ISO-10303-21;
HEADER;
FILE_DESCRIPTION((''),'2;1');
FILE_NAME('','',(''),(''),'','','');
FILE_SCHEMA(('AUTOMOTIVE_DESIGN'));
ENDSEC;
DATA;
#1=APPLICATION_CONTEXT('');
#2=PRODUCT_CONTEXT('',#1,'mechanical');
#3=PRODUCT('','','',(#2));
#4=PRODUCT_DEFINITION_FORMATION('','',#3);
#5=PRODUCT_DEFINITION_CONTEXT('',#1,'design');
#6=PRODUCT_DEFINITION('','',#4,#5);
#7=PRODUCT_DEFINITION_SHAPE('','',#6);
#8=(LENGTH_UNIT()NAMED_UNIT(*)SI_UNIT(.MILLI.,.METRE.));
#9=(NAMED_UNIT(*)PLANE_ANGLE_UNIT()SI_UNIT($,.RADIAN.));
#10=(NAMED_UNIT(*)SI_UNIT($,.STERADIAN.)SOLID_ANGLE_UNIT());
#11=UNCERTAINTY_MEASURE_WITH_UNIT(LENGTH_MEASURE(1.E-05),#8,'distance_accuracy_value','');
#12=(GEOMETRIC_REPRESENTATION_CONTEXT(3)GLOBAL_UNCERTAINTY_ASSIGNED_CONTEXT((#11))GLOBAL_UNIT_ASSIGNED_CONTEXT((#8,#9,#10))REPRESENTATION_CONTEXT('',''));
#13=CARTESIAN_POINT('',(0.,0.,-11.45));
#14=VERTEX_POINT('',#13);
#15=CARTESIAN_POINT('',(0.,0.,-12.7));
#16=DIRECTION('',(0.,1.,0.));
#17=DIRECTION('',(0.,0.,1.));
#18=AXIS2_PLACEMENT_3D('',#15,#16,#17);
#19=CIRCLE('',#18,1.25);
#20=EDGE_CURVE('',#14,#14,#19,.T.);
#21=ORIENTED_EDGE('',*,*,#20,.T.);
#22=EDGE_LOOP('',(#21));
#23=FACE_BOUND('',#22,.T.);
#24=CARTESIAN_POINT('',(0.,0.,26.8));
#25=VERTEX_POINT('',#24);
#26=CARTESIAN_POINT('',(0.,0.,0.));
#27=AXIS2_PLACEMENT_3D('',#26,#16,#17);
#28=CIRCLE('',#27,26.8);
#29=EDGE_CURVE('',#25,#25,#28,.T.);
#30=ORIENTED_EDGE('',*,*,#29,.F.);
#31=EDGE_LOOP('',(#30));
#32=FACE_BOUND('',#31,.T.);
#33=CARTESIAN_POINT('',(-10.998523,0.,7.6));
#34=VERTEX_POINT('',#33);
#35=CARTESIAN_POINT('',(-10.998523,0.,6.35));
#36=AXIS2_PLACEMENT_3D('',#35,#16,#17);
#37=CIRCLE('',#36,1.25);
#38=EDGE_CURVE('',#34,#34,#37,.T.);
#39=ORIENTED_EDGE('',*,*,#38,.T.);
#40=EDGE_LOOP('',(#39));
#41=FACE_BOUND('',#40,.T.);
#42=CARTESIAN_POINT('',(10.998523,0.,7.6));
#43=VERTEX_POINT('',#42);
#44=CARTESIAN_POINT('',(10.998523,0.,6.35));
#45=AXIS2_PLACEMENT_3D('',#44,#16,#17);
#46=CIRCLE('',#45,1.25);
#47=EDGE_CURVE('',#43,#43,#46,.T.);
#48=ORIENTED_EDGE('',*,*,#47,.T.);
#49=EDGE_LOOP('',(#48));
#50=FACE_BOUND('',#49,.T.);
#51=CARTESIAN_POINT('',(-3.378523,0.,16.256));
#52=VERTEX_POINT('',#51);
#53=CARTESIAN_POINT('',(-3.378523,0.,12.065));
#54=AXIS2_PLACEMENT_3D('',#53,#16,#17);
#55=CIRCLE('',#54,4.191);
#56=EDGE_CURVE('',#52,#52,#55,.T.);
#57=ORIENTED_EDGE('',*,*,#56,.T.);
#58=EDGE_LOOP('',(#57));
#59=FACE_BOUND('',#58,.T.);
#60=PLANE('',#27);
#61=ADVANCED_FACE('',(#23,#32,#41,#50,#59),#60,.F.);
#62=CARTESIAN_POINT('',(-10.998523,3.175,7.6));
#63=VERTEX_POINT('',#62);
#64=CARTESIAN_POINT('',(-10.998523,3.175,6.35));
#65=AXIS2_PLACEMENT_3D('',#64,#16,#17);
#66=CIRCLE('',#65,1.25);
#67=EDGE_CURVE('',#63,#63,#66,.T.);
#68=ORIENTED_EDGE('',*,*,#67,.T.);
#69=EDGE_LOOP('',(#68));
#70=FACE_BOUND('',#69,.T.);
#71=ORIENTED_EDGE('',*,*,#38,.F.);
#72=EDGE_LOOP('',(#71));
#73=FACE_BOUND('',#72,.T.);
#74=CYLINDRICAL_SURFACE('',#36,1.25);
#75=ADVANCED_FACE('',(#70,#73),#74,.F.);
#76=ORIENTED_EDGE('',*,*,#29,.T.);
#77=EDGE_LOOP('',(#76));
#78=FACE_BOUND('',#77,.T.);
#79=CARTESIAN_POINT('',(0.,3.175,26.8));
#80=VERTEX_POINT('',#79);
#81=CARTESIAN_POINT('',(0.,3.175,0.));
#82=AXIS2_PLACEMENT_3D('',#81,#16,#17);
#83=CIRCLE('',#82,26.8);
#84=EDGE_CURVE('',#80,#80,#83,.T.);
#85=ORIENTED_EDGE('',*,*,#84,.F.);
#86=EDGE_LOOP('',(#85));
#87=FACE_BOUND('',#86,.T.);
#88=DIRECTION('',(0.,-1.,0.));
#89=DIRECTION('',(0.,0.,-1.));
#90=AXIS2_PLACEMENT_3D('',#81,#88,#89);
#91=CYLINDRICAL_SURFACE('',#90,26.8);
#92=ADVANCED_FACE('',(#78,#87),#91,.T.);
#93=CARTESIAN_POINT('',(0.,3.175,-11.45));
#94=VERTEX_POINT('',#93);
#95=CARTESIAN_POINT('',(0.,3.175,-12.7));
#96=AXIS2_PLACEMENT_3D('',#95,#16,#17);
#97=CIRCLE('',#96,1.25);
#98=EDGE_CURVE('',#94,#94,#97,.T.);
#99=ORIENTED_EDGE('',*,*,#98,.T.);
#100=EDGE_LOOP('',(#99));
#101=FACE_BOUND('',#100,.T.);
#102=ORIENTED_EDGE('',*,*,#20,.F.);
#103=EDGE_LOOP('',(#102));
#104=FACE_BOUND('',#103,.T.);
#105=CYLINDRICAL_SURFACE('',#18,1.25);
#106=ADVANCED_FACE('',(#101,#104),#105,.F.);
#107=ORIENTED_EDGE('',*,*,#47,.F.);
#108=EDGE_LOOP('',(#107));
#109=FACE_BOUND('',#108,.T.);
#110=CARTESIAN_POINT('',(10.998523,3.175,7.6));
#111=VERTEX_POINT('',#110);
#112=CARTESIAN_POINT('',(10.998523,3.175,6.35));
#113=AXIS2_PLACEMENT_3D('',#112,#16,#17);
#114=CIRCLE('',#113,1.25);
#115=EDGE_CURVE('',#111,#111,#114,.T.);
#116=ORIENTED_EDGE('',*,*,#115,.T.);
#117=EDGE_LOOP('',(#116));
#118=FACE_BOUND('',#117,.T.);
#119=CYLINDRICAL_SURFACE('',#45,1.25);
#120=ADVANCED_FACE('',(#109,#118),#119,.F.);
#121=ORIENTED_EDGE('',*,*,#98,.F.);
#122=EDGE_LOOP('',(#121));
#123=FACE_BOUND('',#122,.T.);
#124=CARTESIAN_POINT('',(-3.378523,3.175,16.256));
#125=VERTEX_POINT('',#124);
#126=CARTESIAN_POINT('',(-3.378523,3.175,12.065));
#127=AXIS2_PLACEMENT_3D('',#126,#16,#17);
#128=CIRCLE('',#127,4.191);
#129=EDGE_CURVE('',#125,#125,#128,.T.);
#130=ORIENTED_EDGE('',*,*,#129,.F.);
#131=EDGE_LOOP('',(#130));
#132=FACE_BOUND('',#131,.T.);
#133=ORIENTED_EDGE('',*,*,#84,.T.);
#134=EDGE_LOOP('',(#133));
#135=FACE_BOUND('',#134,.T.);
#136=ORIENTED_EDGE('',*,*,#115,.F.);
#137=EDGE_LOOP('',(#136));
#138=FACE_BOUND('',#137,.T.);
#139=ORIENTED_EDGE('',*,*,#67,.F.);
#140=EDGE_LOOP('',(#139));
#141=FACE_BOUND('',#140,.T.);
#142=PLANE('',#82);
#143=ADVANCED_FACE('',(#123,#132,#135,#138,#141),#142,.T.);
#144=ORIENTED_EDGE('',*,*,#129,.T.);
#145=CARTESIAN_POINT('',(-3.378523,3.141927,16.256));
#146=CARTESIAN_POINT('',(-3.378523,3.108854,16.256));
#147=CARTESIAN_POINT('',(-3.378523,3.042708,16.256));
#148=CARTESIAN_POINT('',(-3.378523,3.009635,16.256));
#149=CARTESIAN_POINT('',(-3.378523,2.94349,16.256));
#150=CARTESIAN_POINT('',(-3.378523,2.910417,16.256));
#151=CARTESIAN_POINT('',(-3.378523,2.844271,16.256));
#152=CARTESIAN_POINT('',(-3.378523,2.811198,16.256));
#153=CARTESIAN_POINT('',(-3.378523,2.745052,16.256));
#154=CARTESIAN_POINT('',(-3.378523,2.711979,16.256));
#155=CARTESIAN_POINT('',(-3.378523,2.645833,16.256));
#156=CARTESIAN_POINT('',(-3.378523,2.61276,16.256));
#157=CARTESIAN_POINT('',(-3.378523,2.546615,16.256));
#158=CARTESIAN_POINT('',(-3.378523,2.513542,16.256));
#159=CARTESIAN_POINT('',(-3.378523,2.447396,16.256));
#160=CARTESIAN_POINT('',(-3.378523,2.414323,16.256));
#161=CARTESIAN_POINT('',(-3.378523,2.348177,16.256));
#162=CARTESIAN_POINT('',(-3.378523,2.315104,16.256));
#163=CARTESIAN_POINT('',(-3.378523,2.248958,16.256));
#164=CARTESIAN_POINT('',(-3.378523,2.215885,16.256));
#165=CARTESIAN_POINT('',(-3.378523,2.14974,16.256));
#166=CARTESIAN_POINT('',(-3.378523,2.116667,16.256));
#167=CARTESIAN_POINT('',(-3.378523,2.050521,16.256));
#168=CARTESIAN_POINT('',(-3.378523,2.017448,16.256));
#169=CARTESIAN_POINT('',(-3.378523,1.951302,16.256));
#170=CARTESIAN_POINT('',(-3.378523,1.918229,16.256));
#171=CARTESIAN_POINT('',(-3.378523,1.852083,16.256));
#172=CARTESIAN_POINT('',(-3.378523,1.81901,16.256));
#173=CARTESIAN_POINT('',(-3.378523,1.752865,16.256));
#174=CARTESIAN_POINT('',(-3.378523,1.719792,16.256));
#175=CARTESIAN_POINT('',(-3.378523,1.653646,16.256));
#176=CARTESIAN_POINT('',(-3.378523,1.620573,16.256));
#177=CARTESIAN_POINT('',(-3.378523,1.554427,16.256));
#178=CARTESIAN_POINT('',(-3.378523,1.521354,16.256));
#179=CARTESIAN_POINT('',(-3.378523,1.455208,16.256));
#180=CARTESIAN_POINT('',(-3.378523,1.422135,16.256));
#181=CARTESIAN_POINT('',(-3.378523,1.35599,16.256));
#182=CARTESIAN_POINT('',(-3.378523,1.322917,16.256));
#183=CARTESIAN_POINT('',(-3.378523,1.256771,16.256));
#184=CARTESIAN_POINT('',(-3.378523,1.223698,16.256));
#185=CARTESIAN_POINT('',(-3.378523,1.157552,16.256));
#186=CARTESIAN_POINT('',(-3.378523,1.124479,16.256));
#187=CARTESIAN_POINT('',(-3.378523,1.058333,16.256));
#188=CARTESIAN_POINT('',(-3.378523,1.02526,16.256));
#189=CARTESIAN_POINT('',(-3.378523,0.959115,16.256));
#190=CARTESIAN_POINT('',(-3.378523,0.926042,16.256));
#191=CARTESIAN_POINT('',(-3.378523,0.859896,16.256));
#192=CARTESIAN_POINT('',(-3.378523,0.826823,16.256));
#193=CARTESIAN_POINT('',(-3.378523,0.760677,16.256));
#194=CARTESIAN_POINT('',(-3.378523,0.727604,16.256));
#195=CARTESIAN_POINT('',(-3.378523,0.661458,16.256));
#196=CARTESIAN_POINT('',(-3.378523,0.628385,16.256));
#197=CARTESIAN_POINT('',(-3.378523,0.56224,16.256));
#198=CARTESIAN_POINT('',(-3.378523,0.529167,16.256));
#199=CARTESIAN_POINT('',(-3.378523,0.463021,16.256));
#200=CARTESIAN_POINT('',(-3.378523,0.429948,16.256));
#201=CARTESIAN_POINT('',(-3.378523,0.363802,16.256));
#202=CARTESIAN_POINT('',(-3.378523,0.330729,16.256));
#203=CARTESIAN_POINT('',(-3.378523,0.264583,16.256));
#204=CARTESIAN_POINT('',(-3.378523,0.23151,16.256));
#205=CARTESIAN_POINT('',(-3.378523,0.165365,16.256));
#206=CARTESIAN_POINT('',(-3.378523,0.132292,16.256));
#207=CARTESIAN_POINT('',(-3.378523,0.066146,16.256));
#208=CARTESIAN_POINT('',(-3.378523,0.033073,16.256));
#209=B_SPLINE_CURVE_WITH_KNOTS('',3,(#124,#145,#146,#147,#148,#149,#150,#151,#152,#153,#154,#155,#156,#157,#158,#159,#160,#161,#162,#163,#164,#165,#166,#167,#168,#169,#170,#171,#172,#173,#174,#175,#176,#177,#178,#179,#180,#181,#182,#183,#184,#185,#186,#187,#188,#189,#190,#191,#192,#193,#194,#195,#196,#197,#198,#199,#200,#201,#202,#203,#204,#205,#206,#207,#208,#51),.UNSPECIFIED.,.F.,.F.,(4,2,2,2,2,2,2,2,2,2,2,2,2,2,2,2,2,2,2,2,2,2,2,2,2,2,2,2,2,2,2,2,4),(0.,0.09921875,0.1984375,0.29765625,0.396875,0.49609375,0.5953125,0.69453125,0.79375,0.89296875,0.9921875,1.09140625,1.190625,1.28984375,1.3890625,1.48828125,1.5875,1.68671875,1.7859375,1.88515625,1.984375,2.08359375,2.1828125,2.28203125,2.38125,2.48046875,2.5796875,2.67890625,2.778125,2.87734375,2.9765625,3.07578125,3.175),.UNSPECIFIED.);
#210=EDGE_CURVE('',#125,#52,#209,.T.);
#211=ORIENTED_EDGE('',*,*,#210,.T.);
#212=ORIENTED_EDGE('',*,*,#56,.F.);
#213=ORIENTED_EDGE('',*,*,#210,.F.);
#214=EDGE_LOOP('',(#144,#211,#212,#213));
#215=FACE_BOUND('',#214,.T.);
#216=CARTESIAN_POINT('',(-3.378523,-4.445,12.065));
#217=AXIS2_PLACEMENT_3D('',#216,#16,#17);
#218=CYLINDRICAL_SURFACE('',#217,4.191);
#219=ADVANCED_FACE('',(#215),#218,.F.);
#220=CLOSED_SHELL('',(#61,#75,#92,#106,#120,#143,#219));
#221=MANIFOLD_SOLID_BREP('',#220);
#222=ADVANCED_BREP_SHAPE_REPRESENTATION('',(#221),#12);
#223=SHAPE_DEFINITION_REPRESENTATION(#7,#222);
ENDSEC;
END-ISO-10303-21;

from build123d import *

# Parameters (mm, degrees)
SKETCH2_R           = 26.799999994
BOSS_EXTRUDE1_DEPTH = 3.175
SKETCH3_R           = 1.25
CUT_EXTRUDE1_DEPTH  = 3.175
SKETCH4_R           = 4.191
CUT_EXTRUDE2_DEPTH  = 7.62


with BuildPart() as part:
    # Sketch2 → Boss-Extrude1 (new body)
    with BuildSketch(Plane(origin=(0, 0, 0), x_dir=(1, 0, 0), z_dir=(0, 1, 0))):
        Circle(SKETCH2_R)
    extrude(amount=BOSS_EXTRUDE1_DEPTH)

    # Sketch3 → Cut-Extrude1 (cut)
    with BuildSketch(Plane(origin=(0, 3.175, 0), x_dir=(1, 0, 0), z_dir=(0, 1, 0))):
        with Locations((0, 12.7)):
            Circle(SKETCH3_R)
        with Locations((-10.998522628, -6.35)):
            Circle(SKETCH3_R)
        with Locations((10.998522628, -6.35)):
            Circle(SKETCH3_R)
    extrude(amount=-CUT_EXTRUDE1_DEPTH, mode=Mode.SUBTRACT)

    # Sketch4 → Cut-Extrude2 (cut)
    with BuildSketch(Plane(origin=(0, 3.175, 0), x_dir=(1, 0, 0), z_dir=(0, 1, 0))):
        with Locations((-3.378522628, -12.065)):
            Circle(SKETCH4_R)
    extrude(amount=-CUT_EXTRUDE2_DEPTH, mode=Mode.SUBTRACT)


solid = part.part
